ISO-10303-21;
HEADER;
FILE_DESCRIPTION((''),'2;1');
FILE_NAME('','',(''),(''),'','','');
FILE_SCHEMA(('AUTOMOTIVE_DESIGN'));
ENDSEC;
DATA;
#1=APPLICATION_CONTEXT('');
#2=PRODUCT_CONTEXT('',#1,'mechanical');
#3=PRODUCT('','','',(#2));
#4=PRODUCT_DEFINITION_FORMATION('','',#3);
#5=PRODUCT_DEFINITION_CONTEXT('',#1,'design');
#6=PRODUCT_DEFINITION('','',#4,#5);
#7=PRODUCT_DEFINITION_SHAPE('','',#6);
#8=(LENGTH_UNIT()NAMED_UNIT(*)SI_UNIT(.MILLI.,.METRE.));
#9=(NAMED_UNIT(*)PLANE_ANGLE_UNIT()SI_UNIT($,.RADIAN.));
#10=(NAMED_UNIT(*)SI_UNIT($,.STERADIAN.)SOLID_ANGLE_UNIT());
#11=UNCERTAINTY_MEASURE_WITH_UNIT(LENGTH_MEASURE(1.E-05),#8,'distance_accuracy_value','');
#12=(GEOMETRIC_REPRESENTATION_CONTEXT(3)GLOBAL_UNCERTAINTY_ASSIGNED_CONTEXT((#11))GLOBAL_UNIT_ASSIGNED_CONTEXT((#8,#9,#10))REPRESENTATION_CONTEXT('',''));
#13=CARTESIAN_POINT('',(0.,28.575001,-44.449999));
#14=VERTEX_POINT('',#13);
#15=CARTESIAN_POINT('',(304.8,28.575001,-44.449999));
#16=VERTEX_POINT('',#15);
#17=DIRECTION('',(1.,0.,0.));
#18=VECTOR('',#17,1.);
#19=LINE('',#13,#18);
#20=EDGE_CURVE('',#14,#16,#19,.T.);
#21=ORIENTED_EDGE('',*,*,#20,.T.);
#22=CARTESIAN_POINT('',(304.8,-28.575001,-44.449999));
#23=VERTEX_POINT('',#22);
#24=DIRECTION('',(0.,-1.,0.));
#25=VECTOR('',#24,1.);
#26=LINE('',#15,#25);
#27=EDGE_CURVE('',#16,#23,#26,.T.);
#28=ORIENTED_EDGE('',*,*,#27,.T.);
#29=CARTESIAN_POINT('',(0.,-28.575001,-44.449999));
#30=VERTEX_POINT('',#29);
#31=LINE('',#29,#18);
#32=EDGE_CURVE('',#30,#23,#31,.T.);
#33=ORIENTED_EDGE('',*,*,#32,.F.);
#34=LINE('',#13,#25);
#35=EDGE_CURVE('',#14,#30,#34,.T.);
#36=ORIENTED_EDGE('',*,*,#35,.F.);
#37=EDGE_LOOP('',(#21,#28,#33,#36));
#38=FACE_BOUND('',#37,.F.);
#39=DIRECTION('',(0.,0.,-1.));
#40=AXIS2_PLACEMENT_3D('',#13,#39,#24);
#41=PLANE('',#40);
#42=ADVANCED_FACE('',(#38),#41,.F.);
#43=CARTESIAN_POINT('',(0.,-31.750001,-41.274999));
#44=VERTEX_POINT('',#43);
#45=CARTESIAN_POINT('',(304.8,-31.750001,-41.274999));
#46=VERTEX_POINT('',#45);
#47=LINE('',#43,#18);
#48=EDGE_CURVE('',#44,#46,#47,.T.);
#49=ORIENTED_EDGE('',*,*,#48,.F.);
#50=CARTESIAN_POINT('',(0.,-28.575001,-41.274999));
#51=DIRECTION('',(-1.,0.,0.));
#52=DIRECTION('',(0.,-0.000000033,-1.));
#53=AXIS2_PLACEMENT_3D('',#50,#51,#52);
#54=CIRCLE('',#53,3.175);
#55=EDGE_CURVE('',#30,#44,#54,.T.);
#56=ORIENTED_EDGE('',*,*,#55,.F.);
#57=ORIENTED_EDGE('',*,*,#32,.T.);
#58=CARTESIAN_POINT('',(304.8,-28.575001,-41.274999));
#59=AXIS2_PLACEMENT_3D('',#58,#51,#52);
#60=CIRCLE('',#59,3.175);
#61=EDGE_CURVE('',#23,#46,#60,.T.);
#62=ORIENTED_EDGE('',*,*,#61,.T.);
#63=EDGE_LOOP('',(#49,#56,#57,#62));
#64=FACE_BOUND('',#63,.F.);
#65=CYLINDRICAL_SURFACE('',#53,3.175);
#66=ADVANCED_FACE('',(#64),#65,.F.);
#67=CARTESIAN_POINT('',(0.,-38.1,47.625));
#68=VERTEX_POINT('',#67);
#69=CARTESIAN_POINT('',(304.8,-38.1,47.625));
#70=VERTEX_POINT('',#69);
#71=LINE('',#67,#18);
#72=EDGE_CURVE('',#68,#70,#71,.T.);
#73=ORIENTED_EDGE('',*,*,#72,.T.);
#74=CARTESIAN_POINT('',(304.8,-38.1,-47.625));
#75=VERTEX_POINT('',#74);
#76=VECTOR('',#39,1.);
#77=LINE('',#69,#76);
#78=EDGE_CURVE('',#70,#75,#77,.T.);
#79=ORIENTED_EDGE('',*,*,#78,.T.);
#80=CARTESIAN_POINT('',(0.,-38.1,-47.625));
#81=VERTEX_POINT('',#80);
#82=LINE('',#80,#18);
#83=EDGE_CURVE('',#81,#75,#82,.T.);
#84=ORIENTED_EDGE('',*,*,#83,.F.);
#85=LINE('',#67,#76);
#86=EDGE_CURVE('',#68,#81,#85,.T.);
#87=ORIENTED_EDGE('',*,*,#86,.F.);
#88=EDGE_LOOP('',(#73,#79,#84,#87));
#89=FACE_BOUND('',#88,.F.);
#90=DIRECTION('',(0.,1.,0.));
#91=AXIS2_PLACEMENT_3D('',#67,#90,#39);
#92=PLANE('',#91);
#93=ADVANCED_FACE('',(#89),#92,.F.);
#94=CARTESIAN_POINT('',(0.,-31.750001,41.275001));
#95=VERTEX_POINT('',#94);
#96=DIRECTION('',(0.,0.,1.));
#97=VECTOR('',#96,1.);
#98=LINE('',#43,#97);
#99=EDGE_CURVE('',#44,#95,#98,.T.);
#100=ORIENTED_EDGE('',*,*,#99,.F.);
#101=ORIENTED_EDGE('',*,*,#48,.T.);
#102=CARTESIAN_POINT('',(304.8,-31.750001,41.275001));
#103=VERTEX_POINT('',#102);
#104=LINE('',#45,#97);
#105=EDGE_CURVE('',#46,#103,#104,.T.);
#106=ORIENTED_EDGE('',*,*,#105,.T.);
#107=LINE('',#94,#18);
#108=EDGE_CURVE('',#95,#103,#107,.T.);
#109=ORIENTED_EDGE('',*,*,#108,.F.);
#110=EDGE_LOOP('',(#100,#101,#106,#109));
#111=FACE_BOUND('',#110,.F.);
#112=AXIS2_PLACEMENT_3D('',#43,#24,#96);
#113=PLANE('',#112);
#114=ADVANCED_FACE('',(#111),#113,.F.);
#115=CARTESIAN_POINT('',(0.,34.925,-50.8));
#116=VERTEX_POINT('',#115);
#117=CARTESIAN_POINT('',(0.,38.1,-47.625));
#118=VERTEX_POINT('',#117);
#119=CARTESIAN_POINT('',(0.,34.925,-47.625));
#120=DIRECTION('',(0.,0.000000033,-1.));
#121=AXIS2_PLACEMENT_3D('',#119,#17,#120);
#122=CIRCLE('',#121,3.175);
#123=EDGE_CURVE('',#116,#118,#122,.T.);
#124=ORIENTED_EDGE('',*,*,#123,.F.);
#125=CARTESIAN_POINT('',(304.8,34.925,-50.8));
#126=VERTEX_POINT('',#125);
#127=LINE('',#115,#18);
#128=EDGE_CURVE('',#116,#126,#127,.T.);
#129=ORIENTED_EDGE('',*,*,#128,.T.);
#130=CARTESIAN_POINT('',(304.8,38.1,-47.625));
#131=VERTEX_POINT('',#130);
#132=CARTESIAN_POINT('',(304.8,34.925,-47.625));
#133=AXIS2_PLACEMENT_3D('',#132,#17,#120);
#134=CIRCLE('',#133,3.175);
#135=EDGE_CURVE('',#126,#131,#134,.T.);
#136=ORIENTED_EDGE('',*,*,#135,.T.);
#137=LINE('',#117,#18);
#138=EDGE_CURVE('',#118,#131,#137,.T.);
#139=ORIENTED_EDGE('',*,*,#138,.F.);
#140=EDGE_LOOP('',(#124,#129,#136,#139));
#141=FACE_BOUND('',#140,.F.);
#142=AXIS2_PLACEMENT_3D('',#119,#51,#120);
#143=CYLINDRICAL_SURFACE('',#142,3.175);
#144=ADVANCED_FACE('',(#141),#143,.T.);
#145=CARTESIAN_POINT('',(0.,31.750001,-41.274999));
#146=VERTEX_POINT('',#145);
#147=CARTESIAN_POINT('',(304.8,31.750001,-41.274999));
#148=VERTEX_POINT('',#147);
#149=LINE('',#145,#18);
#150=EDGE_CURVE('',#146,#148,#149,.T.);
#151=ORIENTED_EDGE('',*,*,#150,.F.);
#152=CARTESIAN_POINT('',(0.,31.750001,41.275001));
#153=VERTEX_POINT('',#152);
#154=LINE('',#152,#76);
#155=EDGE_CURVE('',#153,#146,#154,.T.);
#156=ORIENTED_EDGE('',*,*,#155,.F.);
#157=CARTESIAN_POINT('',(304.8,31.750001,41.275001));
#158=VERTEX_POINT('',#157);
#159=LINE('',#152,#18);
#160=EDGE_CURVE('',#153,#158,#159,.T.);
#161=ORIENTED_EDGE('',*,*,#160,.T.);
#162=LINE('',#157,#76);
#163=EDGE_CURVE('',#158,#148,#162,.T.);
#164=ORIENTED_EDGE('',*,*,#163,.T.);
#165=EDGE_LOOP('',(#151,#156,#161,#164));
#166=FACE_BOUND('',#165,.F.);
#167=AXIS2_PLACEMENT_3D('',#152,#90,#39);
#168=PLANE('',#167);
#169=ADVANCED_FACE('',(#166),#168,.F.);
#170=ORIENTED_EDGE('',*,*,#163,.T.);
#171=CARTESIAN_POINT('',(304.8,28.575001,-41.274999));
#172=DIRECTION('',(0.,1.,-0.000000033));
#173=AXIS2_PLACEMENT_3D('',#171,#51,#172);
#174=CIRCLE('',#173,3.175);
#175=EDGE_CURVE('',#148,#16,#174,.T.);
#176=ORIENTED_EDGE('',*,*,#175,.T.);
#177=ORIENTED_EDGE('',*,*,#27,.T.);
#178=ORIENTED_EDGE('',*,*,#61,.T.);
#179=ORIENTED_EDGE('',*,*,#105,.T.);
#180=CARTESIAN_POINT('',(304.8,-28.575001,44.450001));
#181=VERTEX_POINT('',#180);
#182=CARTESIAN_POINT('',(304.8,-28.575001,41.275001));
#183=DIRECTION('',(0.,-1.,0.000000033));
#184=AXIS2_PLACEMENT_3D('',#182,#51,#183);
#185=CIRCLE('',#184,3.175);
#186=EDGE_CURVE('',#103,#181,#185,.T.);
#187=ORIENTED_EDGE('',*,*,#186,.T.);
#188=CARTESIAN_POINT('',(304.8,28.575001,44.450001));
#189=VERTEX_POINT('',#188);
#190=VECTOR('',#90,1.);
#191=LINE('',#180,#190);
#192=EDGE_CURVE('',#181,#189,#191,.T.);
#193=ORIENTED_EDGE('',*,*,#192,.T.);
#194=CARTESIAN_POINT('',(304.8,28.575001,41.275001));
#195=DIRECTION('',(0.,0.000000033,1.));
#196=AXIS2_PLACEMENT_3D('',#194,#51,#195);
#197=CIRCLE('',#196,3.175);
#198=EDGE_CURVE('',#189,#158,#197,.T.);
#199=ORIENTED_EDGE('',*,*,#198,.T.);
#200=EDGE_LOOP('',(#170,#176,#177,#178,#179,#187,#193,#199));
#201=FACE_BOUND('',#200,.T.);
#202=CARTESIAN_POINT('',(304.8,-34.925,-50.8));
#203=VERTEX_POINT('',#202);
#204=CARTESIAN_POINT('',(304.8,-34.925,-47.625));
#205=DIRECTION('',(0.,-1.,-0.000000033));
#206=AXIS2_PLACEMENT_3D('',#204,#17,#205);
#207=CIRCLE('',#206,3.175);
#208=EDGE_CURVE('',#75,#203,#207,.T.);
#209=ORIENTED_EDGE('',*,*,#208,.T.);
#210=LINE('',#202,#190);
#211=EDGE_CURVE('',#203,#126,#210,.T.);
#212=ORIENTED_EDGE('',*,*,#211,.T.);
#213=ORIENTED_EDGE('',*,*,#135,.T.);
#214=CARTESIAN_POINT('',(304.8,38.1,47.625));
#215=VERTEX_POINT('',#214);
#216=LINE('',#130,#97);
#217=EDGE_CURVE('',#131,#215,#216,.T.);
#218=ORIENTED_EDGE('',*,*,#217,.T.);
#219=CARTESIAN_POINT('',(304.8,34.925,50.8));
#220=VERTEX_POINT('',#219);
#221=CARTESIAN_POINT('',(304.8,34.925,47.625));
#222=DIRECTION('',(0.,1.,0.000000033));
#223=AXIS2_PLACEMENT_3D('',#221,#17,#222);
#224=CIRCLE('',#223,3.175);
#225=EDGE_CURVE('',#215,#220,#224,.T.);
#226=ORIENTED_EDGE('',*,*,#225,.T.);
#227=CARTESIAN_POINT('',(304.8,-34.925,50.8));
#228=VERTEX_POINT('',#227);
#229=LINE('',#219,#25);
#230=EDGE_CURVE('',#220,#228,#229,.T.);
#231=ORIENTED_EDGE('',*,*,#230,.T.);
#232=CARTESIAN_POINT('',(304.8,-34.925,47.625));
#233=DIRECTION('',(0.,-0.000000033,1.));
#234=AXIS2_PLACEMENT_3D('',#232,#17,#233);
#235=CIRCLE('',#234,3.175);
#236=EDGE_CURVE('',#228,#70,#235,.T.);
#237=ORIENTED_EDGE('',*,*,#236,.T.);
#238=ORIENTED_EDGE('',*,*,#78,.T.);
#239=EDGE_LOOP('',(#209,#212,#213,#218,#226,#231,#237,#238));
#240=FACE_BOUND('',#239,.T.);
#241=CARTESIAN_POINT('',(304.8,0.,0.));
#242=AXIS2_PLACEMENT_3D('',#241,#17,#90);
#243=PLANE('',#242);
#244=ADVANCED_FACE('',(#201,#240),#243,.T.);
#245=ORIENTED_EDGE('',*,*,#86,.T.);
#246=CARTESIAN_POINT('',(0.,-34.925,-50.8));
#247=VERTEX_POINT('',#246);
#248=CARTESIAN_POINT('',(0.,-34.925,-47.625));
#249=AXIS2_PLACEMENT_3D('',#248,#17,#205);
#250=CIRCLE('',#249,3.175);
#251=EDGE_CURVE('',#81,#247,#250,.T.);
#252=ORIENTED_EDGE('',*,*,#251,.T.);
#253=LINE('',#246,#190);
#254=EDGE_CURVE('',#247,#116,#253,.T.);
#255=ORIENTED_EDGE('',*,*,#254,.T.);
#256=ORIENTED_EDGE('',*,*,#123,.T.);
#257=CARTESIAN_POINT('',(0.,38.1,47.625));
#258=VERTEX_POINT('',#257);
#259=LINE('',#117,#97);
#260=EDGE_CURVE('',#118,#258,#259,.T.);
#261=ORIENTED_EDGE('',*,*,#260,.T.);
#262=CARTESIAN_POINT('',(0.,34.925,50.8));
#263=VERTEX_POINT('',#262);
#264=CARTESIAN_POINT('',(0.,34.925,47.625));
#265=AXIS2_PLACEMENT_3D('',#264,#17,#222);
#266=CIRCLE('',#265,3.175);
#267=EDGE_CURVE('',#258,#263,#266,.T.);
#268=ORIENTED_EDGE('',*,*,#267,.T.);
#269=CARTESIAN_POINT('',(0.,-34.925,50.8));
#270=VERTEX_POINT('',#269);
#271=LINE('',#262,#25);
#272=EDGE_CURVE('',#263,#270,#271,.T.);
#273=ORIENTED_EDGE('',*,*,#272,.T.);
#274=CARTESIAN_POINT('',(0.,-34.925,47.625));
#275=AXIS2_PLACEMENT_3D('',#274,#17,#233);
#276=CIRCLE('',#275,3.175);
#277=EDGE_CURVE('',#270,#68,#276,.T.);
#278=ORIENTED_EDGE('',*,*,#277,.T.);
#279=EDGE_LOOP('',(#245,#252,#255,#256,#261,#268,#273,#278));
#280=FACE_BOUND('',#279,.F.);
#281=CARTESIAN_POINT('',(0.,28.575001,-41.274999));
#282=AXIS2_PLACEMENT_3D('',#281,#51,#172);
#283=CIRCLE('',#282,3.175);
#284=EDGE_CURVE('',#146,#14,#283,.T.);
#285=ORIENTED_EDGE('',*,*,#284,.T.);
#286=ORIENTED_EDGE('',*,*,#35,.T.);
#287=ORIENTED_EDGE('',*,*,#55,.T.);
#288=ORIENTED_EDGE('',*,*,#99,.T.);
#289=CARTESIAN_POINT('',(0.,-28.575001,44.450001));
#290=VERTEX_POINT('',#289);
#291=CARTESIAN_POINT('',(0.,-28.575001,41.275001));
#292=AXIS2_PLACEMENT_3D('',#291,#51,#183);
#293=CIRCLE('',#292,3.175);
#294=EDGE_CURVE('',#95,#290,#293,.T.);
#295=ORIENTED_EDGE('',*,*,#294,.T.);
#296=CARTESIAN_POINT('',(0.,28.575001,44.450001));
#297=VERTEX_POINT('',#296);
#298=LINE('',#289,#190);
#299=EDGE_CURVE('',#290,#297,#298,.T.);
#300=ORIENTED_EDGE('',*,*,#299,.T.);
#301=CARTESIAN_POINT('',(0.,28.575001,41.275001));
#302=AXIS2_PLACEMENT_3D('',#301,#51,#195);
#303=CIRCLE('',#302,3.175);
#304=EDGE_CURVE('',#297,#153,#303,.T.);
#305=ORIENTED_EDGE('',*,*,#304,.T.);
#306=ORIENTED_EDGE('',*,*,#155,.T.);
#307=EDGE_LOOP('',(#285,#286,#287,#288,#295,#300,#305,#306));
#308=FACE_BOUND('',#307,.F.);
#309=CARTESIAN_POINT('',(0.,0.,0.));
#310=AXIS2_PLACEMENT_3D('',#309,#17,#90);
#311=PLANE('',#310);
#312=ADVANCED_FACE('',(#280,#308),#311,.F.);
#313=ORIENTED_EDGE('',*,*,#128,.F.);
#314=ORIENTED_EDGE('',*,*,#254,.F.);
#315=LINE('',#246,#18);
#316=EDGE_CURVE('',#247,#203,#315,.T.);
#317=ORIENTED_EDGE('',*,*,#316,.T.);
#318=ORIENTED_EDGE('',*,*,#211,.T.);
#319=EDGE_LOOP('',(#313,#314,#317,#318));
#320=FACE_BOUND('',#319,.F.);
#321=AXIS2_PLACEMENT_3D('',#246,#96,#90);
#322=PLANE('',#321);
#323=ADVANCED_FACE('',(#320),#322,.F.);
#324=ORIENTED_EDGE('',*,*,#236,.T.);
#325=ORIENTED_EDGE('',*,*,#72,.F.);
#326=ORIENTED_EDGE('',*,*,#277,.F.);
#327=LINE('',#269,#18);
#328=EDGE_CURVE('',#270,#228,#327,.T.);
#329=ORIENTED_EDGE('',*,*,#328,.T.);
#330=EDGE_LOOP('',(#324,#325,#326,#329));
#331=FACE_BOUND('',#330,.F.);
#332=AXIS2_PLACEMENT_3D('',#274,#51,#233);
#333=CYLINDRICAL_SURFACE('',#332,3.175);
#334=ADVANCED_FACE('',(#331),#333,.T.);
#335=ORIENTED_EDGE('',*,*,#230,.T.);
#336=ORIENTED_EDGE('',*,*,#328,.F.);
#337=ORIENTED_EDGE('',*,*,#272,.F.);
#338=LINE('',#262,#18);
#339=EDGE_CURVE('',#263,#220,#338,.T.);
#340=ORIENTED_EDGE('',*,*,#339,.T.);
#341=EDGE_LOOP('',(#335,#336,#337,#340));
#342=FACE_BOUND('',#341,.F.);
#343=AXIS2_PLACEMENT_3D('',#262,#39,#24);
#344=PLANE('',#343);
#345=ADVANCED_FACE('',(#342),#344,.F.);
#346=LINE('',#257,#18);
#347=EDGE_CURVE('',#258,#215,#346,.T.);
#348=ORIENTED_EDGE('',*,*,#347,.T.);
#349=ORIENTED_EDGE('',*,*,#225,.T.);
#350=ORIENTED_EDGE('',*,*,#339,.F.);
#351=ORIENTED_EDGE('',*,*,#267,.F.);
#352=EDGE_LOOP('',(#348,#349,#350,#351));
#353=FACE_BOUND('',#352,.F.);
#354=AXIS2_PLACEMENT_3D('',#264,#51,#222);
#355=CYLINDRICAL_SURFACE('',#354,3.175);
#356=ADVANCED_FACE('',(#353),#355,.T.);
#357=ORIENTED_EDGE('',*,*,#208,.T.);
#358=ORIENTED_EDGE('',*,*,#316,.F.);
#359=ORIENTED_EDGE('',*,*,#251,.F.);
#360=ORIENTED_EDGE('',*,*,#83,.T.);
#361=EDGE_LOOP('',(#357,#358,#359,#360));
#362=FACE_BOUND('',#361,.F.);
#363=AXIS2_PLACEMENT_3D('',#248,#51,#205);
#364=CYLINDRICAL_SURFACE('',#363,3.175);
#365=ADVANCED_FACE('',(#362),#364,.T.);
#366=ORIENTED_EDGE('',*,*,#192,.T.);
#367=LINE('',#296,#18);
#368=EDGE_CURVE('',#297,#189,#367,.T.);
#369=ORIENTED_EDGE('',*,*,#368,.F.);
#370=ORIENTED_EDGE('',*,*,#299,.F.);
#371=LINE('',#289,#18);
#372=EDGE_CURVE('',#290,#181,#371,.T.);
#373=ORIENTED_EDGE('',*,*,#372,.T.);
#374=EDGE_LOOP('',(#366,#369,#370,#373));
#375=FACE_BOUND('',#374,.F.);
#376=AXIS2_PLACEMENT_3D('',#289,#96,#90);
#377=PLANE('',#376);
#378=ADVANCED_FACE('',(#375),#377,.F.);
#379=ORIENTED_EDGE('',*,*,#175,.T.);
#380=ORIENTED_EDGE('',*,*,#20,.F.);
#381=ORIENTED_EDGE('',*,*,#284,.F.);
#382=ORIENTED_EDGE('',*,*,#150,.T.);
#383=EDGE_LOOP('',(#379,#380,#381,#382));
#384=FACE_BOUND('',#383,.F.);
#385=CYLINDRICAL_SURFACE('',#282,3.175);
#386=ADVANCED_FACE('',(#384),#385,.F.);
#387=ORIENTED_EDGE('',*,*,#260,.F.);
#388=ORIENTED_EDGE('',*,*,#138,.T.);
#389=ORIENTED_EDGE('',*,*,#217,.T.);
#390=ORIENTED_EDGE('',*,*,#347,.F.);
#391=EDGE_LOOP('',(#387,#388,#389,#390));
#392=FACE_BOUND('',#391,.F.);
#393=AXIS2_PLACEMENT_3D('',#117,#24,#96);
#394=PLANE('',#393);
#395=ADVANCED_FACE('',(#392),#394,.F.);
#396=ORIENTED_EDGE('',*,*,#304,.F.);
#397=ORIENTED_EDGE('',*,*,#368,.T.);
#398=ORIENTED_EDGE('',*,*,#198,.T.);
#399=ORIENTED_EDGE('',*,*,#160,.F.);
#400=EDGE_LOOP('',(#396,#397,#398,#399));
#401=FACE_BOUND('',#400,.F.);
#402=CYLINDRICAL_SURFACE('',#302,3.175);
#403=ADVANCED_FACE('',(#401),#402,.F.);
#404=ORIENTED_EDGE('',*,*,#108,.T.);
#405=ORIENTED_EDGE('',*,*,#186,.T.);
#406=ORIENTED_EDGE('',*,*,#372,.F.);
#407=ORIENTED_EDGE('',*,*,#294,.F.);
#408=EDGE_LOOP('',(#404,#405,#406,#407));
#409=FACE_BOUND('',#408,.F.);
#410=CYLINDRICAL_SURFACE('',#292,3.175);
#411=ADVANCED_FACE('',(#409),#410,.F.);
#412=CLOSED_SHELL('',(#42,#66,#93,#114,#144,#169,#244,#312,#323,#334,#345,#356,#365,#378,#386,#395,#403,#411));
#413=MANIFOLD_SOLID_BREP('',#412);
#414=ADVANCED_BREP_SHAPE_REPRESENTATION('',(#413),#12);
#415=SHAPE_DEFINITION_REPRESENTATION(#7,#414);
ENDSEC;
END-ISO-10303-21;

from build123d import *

# Parameters (mm, degrees)
F1_DEPTH = 304.8


with BuildPart() as f1:
    # F0 (on Right) → F1 (new body)
    with BuildSketch(Plane.YZ):
        with BuildLine():
            Line((34.925, 50.8), (-34.925, 50.8))
            ThreePointArc((-34.925, 50.8), (-37.170064, 49.870064), (-38.1, 47.625))
            Line((-38.1, 47.625), (-38.1, -47.625))
            ThreePointArc((-38.1, -47.625), (-37.170064, -49.870064), (-34.925, -50.8))
            Line((-34.925, -50.8), (34.925, -50.8))
            ThreePointArc((34.925, -50.8), (37.170064, -49.870064), (38.1, -47.625))
            Line((38.1, -47.625), (38.1, 47.625))
            ThreePointArc((38.1, 47.625), (37.170064, 49.870064), (34.925, 50.8))
        make_face()
        with BuildLine():
            Line((-31.750001, -41.274999), (-31.750001, 41.275001))
            ThreePointArc((-31.750001, 41.275001), (-30.820065, 43.520065), (-28.575001, 44.450001))
            Line((-28.575001, 44.450001), (28.575001, 44.450001))
            ThreePointArc((28.575001, 44.450001), (30.820065, 43.520065), (31.750001, 41.275001))
            Line((31.750001, 41.275001), (31.750001, -41.274999))
            ThreePointArc((31.750001, -41.274999), (30.820065, -43.520063), (28.575001, -44.449999))
            Line((28.575001, -44.449999), (-28.575001, -44.449999))
            ThreePointArc((-28.575001, -44.449999), (-30.820065, -43.520063), (-31.750001, -41.274999))
        make_face(mode=Mode.SUBTRACT)
    extrude(amount=F1_DEPTH)


solid = f1.part
